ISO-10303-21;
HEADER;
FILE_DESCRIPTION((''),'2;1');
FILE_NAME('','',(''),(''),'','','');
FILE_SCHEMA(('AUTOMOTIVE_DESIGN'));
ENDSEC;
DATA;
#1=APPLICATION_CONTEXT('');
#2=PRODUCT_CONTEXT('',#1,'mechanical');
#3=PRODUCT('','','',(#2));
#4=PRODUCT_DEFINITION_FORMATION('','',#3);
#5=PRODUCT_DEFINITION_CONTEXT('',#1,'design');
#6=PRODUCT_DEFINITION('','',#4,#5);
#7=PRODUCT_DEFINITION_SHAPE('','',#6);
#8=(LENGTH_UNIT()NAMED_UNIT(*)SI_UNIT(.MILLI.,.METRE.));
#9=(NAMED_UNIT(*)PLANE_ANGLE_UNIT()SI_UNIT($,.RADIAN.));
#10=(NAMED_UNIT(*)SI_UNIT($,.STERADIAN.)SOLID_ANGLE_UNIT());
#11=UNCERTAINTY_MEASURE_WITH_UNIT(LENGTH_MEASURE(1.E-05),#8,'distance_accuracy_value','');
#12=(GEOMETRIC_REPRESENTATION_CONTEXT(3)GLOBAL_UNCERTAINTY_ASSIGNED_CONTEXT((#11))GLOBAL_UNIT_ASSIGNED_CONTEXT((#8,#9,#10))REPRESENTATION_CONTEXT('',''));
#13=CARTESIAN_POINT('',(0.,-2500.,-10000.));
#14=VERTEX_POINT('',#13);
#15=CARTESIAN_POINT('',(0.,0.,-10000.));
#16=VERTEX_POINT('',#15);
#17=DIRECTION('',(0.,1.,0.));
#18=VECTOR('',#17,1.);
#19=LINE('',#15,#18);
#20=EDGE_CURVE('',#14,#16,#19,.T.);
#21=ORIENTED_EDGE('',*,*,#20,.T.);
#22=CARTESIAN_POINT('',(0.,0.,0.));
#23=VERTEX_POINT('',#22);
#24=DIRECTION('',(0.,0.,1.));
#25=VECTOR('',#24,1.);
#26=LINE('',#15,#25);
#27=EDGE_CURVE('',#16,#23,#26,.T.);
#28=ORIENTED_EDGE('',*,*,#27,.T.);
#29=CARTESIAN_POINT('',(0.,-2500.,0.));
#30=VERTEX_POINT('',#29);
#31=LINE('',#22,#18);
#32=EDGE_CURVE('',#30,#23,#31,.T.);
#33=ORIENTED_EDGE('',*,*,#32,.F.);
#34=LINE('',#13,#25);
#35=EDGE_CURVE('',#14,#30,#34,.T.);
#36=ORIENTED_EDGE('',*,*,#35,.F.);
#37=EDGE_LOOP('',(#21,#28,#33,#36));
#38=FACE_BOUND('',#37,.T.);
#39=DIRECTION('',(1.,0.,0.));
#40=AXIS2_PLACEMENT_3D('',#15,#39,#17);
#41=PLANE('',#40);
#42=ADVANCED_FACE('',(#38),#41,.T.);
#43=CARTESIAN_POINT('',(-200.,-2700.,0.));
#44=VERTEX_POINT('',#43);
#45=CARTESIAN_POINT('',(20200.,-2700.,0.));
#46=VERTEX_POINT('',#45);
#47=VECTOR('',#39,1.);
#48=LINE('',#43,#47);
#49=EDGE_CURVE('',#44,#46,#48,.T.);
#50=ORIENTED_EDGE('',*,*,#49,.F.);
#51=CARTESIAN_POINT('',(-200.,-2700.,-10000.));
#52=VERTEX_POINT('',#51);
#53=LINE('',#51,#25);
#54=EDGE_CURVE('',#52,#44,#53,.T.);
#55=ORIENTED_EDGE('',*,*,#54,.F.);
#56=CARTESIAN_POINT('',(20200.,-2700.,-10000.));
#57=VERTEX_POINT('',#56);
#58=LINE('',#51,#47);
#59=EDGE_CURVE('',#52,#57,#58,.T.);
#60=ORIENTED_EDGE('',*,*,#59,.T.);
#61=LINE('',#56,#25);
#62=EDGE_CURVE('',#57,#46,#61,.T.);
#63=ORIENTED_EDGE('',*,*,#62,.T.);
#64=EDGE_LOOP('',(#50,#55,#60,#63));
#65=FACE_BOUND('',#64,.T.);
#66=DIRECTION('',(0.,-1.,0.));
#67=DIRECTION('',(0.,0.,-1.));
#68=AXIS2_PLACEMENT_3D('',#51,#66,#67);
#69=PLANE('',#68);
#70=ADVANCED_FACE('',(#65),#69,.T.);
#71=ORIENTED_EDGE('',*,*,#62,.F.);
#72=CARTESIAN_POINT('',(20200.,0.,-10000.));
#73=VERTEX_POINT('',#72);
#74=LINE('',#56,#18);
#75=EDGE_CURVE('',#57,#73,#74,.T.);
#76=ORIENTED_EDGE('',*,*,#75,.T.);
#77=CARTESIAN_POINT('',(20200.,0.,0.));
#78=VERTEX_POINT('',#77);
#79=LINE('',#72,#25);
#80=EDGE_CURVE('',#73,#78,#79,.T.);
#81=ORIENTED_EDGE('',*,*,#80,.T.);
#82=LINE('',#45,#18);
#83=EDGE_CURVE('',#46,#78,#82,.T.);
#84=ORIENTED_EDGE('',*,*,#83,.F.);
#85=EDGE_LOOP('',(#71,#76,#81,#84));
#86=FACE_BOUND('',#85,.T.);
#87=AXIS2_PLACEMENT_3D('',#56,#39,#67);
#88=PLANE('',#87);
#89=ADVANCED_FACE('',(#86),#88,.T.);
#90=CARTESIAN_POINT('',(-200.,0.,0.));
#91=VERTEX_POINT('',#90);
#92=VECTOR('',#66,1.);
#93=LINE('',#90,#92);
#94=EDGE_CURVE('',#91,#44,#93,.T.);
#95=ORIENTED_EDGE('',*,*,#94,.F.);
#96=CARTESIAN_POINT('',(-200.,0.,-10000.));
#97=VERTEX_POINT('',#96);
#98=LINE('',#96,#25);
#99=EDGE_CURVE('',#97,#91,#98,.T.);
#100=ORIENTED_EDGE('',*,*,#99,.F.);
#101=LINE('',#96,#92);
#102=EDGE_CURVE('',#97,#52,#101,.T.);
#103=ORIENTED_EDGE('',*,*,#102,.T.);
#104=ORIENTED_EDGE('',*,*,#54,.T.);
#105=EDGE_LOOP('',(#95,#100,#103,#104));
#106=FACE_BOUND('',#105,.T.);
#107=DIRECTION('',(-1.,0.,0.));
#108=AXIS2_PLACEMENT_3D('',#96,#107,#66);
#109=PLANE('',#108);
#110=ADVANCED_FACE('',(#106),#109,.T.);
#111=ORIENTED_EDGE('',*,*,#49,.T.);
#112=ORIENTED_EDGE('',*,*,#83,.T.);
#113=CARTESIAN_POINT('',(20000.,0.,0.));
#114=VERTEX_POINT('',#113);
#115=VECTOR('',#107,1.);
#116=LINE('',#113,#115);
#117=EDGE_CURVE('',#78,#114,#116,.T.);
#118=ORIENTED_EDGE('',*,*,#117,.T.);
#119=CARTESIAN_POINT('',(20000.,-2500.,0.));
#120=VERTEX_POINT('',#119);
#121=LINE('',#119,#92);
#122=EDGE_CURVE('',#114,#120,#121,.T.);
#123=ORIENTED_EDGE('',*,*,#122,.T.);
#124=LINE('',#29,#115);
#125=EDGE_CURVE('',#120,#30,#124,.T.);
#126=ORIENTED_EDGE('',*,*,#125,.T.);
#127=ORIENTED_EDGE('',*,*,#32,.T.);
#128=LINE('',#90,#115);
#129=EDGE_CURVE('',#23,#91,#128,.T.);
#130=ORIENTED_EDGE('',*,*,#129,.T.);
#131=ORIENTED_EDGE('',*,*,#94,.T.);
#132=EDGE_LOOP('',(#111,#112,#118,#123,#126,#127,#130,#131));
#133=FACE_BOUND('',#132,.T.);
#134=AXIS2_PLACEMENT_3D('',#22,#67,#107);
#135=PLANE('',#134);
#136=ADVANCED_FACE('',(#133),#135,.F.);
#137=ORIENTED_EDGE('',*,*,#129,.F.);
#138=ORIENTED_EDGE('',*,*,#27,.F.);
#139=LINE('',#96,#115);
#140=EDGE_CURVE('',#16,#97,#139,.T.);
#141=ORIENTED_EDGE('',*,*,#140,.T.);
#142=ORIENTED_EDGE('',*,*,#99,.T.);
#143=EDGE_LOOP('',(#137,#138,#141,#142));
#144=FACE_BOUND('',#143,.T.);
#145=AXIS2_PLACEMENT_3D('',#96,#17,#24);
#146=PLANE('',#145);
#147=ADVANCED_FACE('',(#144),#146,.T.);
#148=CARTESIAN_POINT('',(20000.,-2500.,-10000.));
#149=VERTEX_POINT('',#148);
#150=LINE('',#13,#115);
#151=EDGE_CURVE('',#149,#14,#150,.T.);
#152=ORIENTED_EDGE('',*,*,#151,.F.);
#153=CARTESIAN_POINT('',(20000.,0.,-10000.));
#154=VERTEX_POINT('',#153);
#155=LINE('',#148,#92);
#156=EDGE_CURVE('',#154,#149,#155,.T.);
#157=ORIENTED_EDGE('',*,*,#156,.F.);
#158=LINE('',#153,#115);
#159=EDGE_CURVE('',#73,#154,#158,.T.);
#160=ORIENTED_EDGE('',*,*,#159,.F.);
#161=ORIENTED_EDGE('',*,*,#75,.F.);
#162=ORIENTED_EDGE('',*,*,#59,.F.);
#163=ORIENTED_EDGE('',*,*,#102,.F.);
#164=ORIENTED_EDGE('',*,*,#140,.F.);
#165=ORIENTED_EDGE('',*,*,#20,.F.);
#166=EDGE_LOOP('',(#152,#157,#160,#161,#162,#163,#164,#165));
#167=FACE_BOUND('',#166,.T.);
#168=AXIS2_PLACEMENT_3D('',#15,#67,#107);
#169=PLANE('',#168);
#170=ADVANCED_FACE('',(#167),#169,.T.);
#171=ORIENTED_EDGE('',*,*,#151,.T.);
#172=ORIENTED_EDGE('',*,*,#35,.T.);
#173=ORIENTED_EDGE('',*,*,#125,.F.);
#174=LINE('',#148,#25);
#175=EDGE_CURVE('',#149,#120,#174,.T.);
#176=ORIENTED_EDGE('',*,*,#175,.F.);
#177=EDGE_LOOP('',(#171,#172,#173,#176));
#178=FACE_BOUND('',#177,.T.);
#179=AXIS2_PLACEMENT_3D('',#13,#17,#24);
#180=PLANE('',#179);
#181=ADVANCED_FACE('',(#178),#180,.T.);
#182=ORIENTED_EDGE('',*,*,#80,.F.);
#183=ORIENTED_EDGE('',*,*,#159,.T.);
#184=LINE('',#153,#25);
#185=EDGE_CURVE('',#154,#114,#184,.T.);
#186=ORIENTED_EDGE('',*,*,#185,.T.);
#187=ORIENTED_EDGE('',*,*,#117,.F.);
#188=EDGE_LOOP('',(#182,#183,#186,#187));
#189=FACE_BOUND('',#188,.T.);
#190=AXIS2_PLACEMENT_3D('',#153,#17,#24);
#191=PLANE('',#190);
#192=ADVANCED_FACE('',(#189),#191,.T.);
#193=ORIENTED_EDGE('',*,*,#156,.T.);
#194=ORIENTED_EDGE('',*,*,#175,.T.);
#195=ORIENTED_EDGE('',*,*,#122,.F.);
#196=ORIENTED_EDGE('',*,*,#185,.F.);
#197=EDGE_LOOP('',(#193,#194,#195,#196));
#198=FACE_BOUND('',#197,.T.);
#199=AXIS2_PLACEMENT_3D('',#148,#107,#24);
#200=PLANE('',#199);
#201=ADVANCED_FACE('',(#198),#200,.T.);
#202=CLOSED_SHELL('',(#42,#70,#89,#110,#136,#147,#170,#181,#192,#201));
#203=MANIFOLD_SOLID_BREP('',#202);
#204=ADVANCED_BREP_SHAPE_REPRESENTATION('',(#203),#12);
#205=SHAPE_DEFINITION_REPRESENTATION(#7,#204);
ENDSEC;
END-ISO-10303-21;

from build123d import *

# Parameters (mm, degrees)
BOSS_EXTRUDE1_DEPTH = 10000


with BuildPart() as part:
    # Sketch2 → Boss-Extrude1 (new body)
    with BuildSketch(Plane.XY):
        Polygon((0, 0), (0, -2500), (20000, -2500), (20000, 0), (20200, 0), (20200, -2700), (-200, -2700), (-200, 0), align=None)
    extrude(amount=-BOSS_EXTRUDE1_DEPTH)


solid = part.part
